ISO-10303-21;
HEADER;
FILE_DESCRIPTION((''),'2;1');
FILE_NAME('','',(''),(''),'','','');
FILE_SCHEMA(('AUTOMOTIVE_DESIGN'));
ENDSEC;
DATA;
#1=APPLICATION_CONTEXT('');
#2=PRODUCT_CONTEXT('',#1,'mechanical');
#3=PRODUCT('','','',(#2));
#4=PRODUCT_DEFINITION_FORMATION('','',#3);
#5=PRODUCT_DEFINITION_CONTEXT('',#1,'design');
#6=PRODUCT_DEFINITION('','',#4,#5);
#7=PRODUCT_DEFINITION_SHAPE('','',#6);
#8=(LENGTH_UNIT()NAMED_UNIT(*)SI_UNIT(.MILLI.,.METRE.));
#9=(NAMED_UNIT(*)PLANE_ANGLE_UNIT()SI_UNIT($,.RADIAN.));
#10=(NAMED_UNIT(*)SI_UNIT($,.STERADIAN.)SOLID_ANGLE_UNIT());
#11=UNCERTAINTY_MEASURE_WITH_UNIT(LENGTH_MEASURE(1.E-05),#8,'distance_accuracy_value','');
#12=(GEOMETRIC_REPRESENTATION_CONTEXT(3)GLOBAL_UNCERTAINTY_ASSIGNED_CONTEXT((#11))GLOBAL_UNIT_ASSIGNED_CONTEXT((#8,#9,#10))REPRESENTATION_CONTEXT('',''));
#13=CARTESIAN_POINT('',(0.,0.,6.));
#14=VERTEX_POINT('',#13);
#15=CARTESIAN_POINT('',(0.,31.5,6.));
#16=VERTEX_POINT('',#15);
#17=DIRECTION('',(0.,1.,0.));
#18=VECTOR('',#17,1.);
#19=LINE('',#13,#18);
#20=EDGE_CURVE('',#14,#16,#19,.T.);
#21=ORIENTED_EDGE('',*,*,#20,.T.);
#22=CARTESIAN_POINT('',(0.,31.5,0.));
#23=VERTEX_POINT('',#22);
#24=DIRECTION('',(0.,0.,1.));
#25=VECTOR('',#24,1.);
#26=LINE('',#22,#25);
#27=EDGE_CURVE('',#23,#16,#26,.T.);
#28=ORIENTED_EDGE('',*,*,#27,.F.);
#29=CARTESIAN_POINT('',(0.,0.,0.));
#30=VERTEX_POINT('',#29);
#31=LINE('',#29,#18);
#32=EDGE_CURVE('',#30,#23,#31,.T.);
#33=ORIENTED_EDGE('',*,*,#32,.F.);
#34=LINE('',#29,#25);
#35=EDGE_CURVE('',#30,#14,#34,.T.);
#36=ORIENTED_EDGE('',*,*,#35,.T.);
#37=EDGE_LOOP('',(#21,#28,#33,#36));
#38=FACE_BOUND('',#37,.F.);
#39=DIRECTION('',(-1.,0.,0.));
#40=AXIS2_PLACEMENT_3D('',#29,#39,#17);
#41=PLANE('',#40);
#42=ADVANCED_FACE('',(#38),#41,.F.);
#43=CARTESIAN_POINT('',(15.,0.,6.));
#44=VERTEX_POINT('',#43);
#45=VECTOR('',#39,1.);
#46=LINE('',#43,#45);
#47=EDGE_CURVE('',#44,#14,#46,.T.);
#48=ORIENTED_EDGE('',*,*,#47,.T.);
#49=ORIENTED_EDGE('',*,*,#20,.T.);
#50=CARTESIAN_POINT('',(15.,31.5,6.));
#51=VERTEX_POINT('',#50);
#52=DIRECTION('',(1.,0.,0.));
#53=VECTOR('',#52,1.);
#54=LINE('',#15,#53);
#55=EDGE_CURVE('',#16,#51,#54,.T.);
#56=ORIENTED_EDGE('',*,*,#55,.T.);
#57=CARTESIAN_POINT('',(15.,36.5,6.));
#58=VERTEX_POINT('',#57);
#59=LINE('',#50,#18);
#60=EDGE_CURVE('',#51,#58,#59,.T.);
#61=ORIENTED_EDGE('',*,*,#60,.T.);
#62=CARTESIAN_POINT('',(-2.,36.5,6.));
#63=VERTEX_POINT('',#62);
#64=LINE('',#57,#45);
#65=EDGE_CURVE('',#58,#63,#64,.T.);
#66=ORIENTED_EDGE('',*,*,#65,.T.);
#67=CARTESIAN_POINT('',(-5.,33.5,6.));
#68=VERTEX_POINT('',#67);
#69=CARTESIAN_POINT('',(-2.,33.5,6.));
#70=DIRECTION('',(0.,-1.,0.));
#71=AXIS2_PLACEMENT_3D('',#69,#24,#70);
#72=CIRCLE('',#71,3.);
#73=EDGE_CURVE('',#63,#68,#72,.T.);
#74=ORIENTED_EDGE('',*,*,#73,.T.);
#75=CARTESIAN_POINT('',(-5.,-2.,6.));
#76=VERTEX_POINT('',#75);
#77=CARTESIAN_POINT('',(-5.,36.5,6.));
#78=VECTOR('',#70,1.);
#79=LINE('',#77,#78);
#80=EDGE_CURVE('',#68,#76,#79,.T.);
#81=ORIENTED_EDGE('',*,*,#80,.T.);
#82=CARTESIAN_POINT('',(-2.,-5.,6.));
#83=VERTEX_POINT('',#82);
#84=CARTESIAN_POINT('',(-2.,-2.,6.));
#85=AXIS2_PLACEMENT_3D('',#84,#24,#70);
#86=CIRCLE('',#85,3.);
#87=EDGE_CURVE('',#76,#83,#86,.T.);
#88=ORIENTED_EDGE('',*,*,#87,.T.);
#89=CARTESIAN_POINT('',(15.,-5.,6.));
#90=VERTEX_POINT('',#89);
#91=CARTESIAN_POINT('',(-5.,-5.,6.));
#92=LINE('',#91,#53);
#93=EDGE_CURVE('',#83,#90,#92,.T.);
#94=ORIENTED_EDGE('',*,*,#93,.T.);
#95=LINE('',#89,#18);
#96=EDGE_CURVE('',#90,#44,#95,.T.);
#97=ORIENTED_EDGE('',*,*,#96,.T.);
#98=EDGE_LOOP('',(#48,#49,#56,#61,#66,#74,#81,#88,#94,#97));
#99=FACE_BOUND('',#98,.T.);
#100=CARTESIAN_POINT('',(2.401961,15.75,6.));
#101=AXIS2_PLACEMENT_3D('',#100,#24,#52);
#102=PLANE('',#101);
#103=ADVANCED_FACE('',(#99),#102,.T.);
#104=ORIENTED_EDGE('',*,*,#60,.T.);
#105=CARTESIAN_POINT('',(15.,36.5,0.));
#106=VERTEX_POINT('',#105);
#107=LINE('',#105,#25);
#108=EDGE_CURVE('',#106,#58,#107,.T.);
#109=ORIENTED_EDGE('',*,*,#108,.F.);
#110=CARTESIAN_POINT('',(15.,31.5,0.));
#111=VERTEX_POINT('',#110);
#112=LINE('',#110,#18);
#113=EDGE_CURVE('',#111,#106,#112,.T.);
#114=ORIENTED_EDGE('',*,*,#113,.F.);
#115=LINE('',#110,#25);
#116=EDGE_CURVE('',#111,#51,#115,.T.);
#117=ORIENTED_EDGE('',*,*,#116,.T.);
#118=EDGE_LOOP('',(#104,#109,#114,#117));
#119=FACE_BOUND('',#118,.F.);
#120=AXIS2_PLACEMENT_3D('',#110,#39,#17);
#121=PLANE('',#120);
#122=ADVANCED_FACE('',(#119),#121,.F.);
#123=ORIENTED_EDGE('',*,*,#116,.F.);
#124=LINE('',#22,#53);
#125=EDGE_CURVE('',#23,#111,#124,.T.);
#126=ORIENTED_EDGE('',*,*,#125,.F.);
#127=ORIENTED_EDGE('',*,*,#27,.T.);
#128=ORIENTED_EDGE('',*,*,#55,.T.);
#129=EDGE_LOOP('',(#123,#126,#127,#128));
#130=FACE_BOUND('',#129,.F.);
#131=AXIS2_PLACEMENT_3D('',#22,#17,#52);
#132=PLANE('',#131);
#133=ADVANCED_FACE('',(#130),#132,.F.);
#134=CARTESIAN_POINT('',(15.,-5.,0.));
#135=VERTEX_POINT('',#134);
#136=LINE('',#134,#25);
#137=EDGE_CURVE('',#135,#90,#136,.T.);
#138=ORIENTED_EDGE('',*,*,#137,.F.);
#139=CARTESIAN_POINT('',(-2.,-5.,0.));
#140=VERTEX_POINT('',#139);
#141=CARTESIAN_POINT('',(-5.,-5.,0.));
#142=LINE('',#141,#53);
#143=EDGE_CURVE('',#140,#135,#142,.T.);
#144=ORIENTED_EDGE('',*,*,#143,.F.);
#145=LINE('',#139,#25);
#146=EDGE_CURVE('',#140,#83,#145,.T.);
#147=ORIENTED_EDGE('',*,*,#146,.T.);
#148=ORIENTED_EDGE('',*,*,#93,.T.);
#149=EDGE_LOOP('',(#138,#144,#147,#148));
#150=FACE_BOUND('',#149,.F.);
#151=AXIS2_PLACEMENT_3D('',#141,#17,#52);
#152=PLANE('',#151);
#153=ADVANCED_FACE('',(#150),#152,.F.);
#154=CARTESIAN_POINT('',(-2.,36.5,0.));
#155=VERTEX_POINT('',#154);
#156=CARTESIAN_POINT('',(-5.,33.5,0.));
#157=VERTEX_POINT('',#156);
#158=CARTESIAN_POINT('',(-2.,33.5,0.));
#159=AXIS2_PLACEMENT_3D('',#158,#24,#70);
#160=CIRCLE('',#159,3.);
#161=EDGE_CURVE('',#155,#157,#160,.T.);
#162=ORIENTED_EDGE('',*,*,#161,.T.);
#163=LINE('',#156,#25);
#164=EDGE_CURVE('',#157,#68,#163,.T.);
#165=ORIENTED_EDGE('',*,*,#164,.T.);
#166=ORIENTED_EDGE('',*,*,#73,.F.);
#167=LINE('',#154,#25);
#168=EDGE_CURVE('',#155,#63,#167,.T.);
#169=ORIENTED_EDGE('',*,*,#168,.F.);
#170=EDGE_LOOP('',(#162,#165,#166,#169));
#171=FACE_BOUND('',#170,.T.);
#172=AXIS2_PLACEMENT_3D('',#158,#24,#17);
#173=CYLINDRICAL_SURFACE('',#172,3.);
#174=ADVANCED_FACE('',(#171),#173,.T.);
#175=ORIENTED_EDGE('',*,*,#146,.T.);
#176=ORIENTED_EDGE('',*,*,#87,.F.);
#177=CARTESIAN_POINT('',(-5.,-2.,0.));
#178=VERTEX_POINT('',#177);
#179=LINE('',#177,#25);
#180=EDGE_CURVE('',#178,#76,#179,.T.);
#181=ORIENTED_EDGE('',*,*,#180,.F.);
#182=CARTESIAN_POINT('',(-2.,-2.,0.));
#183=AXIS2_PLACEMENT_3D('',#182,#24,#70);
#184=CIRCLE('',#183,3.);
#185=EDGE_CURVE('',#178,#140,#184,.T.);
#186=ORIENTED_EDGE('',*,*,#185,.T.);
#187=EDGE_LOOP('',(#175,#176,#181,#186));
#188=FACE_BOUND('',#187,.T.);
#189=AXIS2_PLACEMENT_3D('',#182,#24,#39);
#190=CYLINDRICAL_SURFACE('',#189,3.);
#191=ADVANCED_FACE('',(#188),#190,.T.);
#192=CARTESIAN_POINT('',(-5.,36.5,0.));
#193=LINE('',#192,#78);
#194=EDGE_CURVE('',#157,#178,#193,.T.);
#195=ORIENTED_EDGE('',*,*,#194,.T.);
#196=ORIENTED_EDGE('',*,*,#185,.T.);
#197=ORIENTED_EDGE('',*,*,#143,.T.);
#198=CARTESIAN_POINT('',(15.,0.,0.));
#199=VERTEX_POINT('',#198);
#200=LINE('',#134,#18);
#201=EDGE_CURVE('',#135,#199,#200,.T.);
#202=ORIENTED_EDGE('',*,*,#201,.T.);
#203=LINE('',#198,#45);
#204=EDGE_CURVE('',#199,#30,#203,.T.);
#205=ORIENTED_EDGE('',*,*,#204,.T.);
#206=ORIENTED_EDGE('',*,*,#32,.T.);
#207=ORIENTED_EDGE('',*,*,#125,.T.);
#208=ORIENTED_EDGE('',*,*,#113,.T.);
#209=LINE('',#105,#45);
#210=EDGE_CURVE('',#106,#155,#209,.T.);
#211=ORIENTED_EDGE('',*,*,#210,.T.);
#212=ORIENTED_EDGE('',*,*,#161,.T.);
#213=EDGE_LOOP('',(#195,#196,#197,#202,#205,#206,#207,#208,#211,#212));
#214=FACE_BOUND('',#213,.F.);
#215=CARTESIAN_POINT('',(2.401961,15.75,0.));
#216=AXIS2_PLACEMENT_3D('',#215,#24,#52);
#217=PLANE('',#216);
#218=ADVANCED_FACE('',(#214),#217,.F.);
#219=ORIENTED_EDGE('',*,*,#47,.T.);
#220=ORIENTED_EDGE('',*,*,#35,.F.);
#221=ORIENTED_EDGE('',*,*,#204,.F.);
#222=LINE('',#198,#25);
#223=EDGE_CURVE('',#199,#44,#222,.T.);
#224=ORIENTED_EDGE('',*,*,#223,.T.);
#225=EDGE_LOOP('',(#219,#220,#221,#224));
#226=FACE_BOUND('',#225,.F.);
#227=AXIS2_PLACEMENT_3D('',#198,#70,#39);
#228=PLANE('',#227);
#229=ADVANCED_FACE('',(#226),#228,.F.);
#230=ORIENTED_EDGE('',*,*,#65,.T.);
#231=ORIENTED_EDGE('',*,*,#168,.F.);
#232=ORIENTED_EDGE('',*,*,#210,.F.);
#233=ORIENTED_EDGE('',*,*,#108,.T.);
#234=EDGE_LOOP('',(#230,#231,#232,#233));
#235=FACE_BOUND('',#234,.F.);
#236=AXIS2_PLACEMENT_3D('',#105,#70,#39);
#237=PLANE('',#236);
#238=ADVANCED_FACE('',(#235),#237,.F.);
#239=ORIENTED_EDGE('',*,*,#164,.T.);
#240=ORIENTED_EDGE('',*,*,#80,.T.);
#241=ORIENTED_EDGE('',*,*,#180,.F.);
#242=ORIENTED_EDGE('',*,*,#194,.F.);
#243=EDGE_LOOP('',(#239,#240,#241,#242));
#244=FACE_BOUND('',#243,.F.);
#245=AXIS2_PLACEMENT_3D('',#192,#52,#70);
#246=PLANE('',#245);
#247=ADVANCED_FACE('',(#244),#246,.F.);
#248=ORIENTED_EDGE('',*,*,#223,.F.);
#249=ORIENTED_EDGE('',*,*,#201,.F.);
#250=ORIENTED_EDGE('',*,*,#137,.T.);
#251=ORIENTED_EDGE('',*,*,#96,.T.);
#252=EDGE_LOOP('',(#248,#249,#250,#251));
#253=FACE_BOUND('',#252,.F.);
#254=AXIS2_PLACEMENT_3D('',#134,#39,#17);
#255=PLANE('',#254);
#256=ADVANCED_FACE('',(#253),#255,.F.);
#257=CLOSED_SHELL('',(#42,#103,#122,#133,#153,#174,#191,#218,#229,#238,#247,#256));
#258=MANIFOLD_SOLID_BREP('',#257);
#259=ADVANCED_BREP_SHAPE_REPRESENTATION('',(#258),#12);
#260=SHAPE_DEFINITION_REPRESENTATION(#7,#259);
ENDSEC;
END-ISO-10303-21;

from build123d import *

# Parameters (mm, degrees)
F1_DEPTH = 6
F2_R     = 3


with BuildPart() as f1:
    # F0 (on Top) → F1 (new body)
    with BuildSketch(Plane.XY):
        Polygon((15, 0), (0, 0), (0, 31.5), (15, 31.5), (15, 36.5), (-5, 36.5), (-5, 0), (-5, -5), (15, -5), align=None)
    extrude(amount=F1_DEPTH)

    # F2
    f2_edges = [f1.edges().sort_by_distance(p)[0] for p in [
        (-5, 36.5, 3),
        (-5, -5, 3),
    ]]
    fillet(f2_edges, radius=F2_R)


solid = f1.part
